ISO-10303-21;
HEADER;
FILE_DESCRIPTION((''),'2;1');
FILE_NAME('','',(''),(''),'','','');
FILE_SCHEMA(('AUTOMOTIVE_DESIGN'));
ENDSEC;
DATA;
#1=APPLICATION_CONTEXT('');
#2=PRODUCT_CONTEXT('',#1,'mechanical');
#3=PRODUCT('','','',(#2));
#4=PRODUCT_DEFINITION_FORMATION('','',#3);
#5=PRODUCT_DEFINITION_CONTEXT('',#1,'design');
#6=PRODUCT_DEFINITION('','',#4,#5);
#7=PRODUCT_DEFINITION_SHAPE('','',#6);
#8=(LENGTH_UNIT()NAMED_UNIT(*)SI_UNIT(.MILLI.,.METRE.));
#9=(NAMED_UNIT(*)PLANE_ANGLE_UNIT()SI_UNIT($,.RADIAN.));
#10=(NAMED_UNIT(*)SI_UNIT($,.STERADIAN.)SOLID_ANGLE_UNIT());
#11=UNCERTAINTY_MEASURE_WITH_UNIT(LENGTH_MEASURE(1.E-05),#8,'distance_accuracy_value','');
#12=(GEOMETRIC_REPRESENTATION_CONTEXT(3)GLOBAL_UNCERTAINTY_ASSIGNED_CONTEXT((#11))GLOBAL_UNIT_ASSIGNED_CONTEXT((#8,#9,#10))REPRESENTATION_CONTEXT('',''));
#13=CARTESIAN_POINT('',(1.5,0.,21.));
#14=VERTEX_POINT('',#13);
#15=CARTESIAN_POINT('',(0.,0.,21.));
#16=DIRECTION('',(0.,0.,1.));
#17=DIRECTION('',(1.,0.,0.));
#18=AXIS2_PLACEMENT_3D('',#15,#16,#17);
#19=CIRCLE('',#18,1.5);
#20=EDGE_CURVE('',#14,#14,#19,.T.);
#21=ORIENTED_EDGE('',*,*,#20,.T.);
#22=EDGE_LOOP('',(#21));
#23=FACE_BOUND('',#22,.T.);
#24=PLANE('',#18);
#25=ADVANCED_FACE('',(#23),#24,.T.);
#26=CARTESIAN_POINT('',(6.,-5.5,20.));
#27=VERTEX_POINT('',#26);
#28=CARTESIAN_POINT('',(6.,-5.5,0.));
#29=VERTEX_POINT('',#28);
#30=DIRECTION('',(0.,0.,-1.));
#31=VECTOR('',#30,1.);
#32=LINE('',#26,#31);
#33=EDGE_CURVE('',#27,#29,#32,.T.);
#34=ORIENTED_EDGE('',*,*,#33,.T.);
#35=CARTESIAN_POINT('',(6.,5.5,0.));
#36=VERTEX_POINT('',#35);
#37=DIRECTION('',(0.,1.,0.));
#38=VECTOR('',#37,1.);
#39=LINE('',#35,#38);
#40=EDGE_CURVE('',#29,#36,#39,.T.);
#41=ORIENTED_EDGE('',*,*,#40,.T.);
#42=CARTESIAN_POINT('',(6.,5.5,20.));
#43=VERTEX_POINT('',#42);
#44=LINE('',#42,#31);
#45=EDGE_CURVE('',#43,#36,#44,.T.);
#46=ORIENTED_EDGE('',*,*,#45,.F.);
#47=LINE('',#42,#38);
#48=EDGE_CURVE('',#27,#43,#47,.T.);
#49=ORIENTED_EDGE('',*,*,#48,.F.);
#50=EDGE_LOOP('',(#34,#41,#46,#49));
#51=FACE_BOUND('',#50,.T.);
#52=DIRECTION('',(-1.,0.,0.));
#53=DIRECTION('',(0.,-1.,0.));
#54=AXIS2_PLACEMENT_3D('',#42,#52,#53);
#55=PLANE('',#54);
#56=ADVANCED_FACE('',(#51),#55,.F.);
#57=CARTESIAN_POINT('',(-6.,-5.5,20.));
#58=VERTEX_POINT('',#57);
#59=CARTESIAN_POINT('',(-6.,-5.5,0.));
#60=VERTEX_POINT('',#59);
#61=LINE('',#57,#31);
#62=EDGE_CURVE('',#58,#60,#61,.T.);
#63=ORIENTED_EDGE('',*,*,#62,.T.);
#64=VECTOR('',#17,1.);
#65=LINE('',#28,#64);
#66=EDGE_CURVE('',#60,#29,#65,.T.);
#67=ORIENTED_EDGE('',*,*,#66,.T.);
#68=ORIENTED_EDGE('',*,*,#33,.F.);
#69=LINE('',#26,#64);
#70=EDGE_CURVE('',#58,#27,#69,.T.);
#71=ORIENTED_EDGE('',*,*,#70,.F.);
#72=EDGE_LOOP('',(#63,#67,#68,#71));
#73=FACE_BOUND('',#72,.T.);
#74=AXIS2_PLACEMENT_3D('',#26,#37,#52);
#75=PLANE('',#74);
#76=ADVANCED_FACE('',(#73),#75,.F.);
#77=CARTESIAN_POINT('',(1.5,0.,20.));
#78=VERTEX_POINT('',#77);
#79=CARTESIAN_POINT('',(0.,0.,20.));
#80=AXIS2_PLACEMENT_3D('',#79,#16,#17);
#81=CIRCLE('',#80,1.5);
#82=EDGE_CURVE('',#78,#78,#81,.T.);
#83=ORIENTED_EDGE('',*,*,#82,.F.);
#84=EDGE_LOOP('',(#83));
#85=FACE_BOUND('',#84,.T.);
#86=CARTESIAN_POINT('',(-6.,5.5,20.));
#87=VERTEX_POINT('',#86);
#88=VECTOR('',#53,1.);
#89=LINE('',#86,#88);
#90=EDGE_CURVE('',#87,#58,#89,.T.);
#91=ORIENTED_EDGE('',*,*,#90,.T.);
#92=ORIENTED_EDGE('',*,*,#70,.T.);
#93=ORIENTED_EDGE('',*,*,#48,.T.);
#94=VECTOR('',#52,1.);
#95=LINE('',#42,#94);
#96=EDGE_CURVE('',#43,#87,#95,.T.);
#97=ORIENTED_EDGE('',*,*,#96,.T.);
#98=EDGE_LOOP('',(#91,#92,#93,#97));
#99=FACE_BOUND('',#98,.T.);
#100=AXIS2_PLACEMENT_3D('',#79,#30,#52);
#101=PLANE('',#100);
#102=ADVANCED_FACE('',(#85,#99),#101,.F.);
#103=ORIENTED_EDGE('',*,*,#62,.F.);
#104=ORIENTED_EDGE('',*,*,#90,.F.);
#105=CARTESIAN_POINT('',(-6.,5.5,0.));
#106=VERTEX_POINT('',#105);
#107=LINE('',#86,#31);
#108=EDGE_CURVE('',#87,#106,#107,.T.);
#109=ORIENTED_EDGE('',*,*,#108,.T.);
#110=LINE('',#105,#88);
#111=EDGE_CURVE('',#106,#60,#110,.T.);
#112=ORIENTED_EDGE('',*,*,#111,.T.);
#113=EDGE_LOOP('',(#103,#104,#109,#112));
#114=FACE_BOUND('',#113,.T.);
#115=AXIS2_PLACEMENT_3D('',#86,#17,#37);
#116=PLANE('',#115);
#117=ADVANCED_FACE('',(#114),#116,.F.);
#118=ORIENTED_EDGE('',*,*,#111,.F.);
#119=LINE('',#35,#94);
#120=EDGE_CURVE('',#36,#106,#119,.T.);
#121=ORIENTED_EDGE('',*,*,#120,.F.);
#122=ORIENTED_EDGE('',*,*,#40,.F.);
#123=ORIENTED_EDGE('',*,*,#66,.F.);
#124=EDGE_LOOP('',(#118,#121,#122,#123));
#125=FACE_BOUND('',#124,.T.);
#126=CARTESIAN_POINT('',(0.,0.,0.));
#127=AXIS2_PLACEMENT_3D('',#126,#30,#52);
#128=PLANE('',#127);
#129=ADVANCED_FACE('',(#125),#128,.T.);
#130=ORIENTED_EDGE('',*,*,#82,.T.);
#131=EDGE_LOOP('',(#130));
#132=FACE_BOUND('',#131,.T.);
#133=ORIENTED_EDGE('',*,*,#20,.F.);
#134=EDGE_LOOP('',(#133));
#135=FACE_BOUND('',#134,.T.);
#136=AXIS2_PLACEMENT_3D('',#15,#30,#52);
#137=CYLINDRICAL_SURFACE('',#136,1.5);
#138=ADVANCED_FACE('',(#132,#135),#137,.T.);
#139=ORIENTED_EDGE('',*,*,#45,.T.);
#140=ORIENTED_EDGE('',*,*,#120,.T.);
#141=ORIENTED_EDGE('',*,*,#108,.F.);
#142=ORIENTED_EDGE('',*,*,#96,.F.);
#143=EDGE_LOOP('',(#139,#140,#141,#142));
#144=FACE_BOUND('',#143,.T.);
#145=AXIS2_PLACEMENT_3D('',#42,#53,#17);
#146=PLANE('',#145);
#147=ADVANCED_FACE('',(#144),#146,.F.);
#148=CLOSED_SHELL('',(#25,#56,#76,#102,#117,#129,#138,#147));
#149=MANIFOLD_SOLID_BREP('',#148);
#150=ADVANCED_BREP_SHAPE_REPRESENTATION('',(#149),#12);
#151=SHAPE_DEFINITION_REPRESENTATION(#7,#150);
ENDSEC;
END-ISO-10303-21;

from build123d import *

# Parameters (mm, degrees)
SKETCH_1_W      = 12
SKETCH_1_H      = 11
EXTRUDE_1_DEPTH = 20
SKETCH_2_R      = 1.5
EXTRUDE_2_DEPTH = 1


with BuildPart() as part:
    # ｽｹｯﾁ1 → ﾎﾞｽ - 押し出し1 (new body)
    with BuildSketch(Plane.XY):
        Rectangle(SKETCH_1_W, SKETCH_1_H)
    extrude(amount=EXTRUDE_1_DEPTH)

    # ｽｹｯﾁ2 → ﾎﾞｽ - 押し出し2 (add)
    with BuildSketch(Plane.XY.offset(20)):
        Circle(SKETCH_2_R)
    extrude(amount=EXTRUDE_2_DEPTH)


solid = part.part
